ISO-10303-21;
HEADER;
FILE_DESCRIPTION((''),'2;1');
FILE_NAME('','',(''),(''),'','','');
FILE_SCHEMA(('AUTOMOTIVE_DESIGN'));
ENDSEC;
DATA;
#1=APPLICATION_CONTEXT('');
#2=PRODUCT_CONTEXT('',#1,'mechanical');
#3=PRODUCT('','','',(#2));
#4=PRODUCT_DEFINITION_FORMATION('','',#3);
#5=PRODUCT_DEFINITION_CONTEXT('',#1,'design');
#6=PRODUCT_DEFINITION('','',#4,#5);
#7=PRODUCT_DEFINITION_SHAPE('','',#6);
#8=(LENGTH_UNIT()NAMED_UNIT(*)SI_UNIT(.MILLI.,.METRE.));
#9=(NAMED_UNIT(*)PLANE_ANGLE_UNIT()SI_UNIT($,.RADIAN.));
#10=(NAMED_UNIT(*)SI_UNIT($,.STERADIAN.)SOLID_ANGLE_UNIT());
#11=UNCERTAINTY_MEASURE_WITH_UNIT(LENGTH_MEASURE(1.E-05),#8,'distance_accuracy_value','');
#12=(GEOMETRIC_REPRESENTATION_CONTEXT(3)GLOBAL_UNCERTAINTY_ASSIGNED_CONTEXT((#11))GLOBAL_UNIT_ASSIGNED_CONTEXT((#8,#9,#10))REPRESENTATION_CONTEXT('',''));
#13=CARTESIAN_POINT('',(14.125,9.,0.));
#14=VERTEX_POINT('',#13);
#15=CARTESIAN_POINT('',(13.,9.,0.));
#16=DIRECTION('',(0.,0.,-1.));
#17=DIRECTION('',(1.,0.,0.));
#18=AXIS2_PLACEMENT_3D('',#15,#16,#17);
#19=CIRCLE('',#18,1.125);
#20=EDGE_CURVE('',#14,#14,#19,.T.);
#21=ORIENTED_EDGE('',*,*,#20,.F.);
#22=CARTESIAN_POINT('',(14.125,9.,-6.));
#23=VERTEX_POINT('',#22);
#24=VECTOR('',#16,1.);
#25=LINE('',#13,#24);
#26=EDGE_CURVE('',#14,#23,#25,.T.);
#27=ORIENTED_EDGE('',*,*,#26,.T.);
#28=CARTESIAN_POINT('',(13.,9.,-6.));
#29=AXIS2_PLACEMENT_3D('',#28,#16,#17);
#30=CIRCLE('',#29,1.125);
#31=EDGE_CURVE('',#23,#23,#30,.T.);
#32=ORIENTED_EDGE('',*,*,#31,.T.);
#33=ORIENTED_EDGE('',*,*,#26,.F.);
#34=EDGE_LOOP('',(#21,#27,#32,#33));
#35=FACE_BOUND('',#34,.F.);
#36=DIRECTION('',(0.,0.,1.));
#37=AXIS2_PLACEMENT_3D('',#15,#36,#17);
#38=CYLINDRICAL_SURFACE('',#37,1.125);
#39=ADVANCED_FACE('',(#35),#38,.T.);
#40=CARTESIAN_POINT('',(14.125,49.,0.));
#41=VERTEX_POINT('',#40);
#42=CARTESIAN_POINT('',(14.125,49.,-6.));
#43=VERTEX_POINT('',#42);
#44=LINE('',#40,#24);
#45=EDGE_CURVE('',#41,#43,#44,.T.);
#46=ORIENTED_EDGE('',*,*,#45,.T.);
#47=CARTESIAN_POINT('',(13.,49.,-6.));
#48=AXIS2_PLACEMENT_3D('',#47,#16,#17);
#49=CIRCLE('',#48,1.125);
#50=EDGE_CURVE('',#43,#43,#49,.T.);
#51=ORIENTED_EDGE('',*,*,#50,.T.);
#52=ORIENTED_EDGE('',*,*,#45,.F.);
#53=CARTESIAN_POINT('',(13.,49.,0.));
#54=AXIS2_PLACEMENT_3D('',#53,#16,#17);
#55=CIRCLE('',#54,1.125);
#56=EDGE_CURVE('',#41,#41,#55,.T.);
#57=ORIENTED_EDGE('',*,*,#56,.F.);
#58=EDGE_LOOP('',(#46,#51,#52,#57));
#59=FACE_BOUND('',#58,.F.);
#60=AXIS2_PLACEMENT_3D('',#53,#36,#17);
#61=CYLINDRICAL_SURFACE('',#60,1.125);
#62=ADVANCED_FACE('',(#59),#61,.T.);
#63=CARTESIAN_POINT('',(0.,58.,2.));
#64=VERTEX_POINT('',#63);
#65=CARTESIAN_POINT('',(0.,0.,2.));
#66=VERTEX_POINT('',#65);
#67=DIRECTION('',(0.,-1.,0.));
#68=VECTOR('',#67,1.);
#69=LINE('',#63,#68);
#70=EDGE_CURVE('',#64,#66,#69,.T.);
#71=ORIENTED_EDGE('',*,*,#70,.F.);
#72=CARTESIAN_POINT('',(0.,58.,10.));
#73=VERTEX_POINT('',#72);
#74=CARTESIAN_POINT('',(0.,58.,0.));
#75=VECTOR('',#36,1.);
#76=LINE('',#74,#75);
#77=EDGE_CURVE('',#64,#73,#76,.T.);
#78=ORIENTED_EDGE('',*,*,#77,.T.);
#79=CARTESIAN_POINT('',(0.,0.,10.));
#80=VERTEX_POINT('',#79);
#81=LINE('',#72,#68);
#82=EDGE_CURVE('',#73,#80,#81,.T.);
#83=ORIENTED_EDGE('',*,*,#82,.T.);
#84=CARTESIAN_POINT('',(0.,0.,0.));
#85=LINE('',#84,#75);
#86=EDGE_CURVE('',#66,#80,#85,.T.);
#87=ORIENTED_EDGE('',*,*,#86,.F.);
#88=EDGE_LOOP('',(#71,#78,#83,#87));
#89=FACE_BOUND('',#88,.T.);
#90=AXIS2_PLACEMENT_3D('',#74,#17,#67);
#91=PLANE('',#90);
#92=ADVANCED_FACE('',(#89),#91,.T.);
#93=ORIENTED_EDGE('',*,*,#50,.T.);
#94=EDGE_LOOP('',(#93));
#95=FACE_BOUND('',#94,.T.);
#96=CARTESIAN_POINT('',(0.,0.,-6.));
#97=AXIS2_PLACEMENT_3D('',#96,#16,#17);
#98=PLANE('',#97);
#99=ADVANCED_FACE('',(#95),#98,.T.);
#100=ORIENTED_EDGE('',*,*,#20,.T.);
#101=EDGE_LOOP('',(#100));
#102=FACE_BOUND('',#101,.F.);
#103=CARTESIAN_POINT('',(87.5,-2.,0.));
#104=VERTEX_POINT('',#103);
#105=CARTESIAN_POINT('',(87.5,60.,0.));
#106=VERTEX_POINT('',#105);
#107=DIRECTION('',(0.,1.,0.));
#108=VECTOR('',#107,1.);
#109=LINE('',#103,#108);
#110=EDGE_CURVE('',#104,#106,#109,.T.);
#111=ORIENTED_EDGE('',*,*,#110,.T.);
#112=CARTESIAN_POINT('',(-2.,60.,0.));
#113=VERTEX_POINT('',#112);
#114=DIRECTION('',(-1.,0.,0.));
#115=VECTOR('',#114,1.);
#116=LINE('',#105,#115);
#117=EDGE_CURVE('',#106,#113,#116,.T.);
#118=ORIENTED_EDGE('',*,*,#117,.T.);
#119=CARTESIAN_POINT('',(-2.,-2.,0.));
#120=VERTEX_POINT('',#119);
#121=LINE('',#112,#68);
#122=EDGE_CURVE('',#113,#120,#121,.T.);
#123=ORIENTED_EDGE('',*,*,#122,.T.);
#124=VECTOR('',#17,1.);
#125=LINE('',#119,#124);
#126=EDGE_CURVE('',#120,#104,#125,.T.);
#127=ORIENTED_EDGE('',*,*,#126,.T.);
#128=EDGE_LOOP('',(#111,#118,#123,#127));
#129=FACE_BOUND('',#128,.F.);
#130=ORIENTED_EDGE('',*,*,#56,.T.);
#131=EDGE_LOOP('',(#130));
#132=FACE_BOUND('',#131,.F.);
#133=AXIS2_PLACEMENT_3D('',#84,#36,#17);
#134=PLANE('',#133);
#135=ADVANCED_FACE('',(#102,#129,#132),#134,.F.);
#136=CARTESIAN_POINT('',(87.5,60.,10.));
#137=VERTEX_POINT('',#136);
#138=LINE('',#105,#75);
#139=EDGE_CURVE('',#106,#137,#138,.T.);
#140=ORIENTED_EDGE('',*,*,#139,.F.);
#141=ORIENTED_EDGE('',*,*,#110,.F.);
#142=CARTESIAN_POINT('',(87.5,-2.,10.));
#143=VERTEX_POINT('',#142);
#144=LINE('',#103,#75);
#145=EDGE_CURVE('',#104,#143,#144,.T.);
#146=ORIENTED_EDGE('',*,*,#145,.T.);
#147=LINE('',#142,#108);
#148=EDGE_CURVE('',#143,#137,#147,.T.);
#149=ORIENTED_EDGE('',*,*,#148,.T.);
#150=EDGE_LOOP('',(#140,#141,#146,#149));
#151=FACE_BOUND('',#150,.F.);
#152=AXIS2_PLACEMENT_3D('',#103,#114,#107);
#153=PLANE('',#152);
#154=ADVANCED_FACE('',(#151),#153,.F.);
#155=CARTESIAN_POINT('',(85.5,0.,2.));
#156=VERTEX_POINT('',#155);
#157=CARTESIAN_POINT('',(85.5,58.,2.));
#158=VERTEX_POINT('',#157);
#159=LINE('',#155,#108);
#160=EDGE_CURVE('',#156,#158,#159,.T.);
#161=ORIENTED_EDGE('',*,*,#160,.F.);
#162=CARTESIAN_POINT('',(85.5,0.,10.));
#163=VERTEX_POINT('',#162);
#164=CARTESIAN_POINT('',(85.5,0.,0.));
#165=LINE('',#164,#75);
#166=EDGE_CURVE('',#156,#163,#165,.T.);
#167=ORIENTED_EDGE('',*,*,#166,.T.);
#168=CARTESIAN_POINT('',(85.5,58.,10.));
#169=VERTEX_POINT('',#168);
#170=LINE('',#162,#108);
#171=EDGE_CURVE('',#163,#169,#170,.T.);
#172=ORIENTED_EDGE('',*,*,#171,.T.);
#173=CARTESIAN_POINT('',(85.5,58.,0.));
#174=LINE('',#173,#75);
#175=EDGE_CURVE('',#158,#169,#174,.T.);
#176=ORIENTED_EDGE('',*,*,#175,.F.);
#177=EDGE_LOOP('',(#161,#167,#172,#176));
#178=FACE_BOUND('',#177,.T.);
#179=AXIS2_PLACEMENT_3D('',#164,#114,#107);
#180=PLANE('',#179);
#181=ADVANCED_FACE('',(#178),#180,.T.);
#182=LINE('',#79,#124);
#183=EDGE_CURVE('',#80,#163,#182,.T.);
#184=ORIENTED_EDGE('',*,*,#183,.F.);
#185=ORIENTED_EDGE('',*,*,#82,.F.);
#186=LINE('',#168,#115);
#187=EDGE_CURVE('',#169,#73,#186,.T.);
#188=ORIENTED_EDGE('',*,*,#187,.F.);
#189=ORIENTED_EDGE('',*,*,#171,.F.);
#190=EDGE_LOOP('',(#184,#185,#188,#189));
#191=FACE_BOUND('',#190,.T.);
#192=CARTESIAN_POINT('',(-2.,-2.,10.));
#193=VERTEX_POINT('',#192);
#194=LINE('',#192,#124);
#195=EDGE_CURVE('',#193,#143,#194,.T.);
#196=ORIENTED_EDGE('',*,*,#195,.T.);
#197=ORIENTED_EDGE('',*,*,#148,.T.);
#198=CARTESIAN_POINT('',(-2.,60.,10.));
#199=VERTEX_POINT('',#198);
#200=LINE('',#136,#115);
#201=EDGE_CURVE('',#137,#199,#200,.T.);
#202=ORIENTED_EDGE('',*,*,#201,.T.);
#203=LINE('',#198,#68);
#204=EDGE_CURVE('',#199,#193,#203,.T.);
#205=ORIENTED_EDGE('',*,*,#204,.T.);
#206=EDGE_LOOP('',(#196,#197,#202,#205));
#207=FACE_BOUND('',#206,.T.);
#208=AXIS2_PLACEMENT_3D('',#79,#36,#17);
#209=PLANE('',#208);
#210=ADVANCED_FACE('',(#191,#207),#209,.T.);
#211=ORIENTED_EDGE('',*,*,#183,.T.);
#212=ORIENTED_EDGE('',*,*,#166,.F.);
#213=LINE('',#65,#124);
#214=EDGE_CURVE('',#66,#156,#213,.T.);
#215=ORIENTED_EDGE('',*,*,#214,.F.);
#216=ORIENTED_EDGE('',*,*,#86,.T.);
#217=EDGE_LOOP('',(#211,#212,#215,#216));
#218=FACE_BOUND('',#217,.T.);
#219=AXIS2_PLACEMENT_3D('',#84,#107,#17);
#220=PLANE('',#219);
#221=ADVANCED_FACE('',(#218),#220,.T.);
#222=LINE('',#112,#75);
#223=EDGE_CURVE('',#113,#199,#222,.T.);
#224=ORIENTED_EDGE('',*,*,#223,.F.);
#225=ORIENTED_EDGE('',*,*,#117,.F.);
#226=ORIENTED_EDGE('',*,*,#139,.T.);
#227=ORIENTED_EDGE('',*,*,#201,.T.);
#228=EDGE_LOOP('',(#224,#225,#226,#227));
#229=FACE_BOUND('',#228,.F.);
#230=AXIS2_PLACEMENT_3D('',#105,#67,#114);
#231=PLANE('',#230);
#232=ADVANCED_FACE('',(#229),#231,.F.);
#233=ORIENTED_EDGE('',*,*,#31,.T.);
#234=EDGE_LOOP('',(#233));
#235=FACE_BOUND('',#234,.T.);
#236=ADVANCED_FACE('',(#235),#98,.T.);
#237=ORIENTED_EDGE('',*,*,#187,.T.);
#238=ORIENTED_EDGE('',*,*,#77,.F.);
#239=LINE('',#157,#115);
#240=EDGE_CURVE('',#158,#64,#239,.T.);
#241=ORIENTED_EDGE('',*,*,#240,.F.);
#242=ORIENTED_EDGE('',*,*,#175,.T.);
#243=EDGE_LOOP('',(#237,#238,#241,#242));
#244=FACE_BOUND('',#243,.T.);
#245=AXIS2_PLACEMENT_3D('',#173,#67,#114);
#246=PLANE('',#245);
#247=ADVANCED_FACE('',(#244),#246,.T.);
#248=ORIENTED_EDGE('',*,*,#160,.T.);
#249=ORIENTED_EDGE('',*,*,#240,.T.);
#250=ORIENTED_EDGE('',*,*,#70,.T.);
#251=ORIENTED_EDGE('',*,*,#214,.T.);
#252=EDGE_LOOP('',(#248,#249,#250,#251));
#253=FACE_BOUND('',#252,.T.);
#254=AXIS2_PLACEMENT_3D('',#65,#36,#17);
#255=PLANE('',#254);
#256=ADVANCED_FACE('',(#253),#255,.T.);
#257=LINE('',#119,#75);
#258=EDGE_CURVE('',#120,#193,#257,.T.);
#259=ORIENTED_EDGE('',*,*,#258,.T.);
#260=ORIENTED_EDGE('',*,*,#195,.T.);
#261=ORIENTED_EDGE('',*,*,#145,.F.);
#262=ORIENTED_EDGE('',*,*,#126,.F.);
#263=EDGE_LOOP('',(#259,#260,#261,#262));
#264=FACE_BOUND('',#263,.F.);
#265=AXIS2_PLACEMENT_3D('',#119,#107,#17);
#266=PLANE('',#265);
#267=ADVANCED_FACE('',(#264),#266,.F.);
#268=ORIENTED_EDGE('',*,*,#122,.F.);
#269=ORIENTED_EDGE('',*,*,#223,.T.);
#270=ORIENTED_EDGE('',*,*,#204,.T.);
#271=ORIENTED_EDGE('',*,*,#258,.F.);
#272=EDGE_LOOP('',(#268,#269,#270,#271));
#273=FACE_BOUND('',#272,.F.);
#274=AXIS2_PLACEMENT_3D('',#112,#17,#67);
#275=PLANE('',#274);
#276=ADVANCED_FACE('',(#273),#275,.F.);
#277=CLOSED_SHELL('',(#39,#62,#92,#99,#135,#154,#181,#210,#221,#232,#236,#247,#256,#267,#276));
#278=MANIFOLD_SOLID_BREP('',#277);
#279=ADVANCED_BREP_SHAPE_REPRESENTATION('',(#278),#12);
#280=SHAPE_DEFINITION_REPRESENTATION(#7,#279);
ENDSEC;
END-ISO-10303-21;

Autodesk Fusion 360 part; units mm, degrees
sketch "Sketch1" plane through (0, 0, 0) normal (0, 0, 1) x (1, 0, 0)
  line L0 (0, 0) -> (85.5, 0)
  line L1 (85.5, 0) -> (85.5, 58)
  line L2 (85.5, 58) -> (0, 58)
  line L3 (0, 58) -> (0, 0)
  line L4 (87.5, -2) -> (87.5, 60)
  line L5 (87.5, 60) -> (-2, 60)
  line L6 (-2, 60) -> (-2, -2)
  line L7 (-2, -2) -> (87.5, -2)
  dimension "d1" = 85.5
  dimension "d2" = 58
  dimension "d3" = 2
extrude "Extrude1" add sketch "Sketch1" along normal blind 10
sketch "Sketch2" plane through (0, 0, 0) normal (0, 0, 1) x (1, 0, 0)
  line L0 (0, 0) -> (85.5, 0)
  line L1 (85.5, 0) -> (85.5, 58)
  line L2 (85.5, 58) -> (0, 58)
  line L3 (0, 58) -> (0, 0)
  point P0 (85.5, 58)
extrude "Extrude2" add sketch "Sketch2" along normal blind 2
sketch "Sketch3" plane through (0, 0, 0) normal (0, 0, -1) x (1, 0, 0)
  line L0 (87.5, 2) -> (-2, 2)
  line L1 (-2, 2) -> (-2, -60)
  line L2 (-2, -60) -> (87.5, -60)
  line L3 (87.5, -60) -> (87.5, 2)
  line L4 (-2, -29) -> (87.5, -29)
  circle A0 centre (13, -9) radius 1.125
  circle A1 centre (13, -49) radius 1.125
  dimension "d8" = 2.25
  dimension "d9" = 2.25
  dimension "d10" = 20
  dimension "d11" = 20
  dimension "d14" = 15
extrude "Extrude3" add sketch "Sketch3" along normal blind 6 contours A0 | A1
sketch "Sketch4" plane through (0, 0, 0) normal (0, 0, -1) x (1, 0, 0)
  circle A0 centre (13, -9) radius 1.125
  circle A1 centre (13, -49) radius 1.125
  line L0 (87.5, 2) -> (-2, 2)
  line L1 (-2, 2) -> (-2, -60)
  line L2 (-2, -60) -> (87.5, -60)
  line L3 (87.5, -60) -> (87.5, 2)
